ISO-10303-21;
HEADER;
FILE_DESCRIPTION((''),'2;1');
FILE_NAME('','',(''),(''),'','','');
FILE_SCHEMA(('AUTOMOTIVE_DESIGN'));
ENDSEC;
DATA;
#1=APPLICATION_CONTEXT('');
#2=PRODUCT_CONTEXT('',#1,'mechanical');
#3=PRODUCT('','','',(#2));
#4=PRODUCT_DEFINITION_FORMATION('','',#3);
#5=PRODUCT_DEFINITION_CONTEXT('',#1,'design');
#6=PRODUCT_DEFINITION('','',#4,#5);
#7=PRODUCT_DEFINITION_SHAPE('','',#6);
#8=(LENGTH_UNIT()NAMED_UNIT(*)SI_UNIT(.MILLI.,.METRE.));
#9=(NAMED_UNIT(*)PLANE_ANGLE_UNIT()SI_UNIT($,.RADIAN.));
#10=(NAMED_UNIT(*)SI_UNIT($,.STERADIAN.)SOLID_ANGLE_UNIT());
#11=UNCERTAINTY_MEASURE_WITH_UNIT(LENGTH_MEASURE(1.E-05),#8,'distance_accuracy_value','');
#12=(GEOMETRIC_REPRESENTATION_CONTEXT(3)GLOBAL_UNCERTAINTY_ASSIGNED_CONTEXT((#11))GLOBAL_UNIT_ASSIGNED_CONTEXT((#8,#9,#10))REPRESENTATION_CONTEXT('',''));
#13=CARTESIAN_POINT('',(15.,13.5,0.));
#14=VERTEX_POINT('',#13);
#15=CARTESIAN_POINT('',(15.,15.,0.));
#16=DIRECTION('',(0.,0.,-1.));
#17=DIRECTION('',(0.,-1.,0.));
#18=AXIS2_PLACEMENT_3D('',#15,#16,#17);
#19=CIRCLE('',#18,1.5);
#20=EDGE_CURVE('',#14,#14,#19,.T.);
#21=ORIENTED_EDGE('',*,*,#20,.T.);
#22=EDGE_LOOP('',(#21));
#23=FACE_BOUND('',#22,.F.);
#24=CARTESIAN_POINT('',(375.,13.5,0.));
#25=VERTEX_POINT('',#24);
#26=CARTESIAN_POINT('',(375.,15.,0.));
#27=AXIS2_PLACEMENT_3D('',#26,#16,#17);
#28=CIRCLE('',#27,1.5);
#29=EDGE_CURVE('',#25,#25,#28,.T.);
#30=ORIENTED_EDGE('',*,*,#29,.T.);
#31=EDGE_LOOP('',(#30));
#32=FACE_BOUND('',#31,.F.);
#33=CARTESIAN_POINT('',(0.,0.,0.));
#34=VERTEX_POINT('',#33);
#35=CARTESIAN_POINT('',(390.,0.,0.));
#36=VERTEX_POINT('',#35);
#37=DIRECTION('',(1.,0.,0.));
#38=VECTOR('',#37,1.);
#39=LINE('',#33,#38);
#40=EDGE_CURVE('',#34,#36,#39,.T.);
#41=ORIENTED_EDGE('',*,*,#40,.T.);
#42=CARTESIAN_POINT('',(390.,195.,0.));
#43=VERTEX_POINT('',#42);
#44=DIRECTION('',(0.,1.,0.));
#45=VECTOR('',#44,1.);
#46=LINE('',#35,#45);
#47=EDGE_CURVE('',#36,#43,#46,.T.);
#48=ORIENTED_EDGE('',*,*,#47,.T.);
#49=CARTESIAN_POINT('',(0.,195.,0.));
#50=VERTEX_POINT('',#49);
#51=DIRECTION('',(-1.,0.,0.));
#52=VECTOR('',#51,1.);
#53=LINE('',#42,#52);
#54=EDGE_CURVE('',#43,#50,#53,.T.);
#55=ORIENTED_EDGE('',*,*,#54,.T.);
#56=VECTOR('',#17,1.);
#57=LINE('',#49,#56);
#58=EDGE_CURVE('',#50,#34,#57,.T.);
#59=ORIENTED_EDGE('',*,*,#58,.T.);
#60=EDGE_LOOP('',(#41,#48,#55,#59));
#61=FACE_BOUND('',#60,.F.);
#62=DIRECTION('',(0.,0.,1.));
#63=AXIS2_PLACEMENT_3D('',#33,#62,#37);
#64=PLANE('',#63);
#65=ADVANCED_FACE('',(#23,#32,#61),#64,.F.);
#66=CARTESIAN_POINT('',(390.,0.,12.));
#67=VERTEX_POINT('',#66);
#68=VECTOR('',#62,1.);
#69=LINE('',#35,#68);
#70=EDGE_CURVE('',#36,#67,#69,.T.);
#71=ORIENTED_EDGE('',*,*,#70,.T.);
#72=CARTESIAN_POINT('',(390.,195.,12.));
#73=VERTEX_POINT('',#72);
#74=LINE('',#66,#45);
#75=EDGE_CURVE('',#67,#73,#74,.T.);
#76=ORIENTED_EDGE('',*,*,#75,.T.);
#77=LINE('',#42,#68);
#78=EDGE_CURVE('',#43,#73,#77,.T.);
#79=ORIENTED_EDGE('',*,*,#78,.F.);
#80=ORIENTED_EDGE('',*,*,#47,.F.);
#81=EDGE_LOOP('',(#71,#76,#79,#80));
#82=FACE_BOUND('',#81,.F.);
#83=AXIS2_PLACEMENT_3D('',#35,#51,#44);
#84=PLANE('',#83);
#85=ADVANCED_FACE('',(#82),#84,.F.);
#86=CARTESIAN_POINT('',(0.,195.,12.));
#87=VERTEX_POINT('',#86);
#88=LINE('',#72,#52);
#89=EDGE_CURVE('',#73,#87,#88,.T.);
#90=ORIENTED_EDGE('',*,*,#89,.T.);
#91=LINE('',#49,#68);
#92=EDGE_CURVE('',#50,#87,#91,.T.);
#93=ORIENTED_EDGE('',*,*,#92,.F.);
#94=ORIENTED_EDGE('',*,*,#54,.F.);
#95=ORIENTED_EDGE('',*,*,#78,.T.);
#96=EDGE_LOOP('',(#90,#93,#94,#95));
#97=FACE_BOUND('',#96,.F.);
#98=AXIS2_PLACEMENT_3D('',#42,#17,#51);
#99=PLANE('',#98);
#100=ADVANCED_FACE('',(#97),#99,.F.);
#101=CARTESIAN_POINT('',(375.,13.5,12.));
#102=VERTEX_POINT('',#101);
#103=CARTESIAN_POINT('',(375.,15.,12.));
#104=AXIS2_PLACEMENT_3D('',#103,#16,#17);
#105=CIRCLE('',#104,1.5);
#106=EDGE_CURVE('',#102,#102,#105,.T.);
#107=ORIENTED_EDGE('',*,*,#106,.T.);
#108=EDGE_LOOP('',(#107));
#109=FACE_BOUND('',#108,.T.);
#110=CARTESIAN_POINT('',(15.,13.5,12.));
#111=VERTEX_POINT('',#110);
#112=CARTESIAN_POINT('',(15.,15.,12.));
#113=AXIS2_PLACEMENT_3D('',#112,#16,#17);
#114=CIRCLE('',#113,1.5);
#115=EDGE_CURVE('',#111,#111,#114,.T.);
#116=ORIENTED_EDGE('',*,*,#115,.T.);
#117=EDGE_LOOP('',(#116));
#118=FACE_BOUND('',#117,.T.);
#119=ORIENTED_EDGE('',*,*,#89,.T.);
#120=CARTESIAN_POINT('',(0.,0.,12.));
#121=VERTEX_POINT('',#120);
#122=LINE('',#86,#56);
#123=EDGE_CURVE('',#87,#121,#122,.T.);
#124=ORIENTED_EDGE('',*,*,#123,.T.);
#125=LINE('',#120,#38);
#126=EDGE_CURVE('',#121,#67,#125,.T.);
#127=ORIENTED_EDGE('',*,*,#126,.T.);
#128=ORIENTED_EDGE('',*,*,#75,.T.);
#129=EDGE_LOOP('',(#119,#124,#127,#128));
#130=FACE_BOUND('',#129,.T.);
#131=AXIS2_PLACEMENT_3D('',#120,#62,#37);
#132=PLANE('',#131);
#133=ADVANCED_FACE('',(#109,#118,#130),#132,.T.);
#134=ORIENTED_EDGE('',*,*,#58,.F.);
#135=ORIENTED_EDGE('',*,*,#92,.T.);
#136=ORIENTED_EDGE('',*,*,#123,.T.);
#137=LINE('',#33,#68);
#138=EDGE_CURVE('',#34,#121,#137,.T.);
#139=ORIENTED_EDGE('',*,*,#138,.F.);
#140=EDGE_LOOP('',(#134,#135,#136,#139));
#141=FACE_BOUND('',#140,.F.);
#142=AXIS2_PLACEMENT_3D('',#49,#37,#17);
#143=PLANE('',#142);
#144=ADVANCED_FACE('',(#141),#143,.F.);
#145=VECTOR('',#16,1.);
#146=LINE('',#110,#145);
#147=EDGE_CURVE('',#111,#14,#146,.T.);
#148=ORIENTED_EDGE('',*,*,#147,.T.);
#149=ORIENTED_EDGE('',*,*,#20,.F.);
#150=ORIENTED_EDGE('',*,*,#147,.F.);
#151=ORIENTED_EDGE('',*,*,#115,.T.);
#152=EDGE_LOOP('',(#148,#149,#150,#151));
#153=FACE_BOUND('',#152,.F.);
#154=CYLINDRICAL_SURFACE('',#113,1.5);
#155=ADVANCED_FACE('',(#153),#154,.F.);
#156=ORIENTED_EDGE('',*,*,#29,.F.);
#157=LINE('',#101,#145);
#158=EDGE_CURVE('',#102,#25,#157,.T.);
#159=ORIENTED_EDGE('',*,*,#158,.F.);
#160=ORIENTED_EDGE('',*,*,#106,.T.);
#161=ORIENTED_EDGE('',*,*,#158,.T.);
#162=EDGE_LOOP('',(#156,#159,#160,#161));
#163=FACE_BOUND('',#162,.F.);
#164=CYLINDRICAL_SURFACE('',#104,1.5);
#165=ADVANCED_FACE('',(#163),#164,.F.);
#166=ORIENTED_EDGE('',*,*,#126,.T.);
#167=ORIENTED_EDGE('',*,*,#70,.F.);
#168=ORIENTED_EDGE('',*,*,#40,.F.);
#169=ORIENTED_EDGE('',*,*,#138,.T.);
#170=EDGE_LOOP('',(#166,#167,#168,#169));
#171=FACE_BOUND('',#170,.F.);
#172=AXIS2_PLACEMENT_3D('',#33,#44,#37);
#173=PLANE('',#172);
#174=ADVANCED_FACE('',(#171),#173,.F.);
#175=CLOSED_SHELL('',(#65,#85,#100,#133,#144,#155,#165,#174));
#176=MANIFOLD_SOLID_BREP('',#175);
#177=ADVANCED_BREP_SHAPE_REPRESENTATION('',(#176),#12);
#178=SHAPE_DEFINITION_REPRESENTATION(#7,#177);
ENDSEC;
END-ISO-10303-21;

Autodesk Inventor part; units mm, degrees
ref_plane "YZ Plane" through (0, 0, 0) normal (1, 0, 0) x (0, 1, 0)
ref_plane "XZ Plane" through (0, 0, 0) normal (0, 1, 0) x (-1, 0, 0)
ref_plane "XY Plane" through (0, 0, 0) normal (0, 0, 1) x (1, 0, 0)
sketch "Sketch1" plane through (0, 0, 0) normal (0, 0, 1) x (1, 0, 0)
  line L0 (0, 0) -> (390, 0)
  line L1 (390, 0) -> (390, 195)
  line L2 (390, 195) -> (0, 195)
  line L3 (0, 195) -> (0, 0)
  dimension "d0" = 390
  dimension "d1" = 195
extrude "Extrusion1" add sketch "Sketch1" along normal blind 12
hole "Hole1" at (15, 15, 12) direction (0, 0, -1) diameter 3 end through all
pattern_linear "Rectangular Pattern1" count 2 spacing 200 along (0, 1, 0) count 2 spacing 360 along (1, 0, 0) of "Hole1"
properties part number "placa 12mm suport electronica"
